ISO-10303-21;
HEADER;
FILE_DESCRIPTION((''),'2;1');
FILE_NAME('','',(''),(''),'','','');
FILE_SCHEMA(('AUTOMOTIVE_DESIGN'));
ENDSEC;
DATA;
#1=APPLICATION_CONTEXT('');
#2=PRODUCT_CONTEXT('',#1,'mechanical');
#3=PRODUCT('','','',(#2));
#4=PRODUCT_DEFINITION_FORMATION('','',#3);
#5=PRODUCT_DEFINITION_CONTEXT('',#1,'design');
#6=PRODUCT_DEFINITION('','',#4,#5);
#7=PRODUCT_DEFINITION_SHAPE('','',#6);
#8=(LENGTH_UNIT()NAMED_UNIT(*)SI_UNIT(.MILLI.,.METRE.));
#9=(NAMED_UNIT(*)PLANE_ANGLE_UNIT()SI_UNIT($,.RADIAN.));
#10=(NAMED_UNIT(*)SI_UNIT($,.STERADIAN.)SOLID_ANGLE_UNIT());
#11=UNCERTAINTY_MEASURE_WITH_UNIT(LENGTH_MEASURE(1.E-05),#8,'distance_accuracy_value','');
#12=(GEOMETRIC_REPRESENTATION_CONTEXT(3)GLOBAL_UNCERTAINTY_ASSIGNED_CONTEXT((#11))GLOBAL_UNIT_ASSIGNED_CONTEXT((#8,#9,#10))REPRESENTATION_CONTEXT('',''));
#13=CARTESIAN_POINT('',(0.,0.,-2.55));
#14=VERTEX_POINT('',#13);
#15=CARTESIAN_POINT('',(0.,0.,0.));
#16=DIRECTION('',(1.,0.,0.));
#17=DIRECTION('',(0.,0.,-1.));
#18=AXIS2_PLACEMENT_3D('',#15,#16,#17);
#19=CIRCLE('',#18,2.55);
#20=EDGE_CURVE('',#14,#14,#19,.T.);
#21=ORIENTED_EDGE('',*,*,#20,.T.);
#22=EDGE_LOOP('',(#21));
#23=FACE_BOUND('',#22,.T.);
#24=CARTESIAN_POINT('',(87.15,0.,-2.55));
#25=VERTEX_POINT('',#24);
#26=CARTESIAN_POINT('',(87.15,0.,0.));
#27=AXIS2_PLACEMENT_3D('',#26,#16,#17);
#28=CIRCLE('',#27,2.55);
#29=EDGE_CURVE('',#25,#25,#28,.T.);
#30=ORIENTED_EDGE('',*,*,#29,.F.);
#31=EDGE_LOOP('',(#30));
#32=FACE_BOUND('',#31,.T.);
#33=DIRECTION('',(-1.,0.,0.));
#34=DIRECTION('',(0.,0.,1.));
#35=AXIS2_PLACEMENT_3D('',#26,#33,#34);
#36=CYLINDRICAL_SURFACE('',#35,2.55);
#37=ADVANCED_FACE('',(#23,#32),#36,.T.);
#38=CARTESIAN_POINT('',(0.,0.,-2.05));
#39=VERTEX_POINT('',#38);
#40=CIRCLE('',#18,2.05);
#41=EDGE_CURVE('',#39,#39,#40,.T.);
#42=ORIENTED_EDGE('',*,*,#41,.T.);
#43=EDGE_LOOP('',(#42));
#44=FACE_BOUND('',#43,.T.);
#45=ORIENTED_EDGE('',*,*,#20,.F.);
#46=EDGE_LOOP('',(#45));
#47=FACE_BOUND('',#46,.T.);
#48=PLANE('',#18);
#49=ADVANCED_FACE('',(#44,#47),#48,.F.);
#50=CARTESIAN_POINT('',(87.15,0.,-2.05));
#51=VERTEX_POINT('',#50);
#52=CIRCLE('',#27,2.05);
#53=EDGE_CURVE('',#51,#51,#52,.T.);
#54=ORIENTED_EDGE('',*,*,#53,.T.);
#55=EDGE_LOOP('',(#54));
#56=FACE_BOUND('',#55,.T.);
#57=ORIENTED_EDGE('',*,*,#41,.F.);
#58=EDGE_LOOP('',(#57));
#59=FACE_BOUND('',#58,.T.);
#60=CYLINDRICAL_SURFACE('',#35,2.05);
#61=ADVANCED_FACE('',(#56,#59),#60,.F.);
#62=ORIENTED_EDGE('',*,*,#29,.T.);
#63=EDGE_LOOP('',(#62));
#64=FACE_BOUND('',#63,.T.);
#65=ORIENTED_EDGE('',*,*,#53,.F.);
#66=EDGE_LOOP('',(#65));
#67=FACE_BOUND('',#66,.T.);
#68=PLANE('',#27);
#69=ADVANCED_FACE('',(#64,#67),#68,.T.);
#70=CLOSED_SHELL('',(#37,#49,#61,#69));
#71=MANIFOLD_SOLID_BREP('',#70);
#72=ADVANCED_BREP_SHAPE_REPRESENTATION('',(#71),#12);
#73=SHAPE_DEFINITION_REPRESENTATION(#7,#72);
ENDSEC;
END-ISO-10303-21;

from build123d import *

# Parameters (mm, degrees)
SKIZZE1_R                       = 2.55
SKIZZE1_R_2                     = 2.05
AUFSATZ_LINEAR_AUSTRAGEN1_DEPTH = 87.15


with BuildPart() as part:
    # Skizze1 → Aufsatz-Linear austragen1 (new body)
    with BuildSketch(Plane(origin=(0, 0, 0), x_dir=(0, 0, -1), z_dir=(1, 0, 0))):
        Circle(SKIZZE1_R)
        Circle(SKIZZE1_R_2, mode=Mode.SUBTRACT)
    extrude(amount=AUFSATZ_LINEAR_AUSTRAGEN1_DEPTH)


solid = part.part
